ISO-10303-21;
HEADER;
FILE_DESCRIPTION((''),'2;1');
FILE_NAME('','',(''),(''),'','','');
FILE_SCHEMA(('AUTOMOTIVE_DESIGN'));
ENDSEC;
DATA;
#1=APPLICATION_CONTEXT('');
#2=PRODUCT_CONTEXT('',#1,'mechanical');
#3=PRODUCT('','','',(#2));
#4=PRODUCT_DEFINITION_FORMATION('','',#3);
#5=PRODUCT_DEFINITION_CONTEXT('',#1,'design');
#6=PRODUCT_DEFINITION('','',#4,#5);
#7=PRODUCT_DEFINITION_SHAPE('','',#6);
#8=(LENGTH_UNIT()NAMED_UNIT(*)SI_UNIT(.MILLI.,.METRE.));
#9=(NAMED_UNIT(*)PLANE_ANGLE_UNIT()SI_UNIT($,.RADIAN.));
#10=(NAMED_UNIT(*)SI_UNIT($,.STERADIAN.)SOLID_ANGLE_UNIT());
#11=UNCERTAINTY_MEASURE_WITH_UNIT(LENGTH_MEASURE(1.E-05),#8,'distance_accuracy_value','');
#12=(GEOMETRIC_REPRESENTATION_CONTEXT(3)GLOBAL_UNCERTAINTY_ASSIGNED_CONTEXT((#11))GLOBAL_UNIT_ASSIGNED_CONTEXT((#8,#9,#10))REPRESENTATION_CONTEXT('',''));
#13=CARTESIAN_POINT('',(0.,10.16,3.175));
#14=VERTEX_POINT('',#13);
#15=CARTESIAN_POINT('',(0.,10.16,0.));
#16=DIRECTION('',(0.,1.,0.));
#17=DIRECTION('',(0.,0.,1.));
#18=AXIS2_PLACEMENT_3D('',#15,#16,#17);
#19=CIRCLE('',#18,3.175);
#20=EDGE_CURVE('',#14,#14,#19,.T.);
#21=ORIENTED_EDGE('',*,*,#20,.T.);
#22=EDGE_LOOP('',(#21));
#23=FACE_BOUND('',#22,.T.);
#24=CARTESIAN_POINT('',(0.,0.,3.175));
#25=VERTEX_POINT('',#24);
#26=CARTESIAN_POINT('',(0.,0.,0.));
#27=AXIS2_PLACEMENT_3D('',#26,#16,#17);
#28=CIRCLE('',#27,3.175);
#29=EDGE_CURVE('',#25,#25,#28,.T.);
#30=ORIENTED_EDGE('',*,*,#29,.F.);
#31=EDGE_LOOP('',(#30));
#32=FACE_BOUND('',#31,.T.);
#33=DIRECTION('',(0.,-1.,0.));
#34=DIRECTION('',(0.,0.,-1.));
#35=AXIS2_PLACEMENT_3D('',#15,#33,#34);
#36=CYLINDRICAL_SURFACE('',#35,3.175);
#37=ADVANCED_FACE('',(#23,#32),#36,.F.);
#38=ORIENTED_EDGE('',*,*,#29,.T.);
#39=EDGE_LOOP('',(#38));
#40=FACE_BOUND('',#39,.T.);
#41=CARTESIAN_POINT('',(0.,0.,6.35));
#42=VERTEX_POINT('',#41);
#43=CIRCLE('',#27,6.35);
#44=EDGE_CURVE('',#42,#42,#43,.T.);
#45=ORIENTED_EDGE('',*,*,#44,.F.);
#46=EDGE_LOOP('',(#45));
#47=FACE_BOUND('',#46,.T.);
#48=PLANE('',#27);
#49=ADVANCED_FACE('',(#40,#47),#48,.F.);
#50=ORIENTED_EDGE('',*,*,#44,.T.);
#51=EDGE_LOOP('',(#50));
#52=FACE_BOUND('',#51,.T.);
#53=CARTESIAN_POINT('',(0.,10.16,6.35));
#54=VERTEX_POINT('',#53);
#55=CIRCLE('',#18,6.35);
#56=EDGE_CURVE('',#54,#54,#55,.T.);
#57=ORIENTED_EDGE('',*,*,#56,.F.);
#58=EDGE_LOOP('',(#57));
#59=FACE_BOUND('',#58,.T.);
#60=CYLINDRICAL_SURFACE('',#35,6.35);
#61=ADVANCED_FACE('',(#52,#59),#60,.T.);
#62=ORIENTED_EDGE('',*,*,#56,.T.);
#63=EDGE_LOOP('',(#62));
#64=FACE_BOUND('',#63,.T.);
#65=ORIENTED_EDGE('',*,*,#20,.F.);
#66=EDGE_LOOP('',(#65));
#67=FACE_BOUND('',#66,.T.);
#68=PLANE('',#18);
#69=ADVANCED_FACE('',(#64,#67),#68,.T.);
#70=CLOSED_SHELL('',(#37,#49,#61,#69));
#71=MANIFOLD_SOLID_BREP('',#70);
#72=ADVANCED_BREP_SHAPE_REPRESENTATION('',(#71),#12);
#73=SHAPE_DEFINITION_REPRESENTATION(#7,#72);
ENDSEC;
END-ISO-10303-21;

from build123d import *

# Parameters (mm, degrees)
SKETCH1_R           = 6.35
SKETCH1_R_2         = 3.175
BOSS_EXTRUDE1_DEPTH = 10.16


with BuildPart() as part:
    # Sketch1 → Boss-Extrude1 (new body)
    with BuildSketch(Plane(origin=(0, 0, 0), x_dir=(1, 0, 0), z_dir=(0, 1, 0))):
        Circle(SKETCH1_R)
        Circle(SKETCH1_R_2, mode=Mode.SUBTRACT)
    extrude(amount=BOSS_EXTRUDE1_DEPTH)


solid = part.part
